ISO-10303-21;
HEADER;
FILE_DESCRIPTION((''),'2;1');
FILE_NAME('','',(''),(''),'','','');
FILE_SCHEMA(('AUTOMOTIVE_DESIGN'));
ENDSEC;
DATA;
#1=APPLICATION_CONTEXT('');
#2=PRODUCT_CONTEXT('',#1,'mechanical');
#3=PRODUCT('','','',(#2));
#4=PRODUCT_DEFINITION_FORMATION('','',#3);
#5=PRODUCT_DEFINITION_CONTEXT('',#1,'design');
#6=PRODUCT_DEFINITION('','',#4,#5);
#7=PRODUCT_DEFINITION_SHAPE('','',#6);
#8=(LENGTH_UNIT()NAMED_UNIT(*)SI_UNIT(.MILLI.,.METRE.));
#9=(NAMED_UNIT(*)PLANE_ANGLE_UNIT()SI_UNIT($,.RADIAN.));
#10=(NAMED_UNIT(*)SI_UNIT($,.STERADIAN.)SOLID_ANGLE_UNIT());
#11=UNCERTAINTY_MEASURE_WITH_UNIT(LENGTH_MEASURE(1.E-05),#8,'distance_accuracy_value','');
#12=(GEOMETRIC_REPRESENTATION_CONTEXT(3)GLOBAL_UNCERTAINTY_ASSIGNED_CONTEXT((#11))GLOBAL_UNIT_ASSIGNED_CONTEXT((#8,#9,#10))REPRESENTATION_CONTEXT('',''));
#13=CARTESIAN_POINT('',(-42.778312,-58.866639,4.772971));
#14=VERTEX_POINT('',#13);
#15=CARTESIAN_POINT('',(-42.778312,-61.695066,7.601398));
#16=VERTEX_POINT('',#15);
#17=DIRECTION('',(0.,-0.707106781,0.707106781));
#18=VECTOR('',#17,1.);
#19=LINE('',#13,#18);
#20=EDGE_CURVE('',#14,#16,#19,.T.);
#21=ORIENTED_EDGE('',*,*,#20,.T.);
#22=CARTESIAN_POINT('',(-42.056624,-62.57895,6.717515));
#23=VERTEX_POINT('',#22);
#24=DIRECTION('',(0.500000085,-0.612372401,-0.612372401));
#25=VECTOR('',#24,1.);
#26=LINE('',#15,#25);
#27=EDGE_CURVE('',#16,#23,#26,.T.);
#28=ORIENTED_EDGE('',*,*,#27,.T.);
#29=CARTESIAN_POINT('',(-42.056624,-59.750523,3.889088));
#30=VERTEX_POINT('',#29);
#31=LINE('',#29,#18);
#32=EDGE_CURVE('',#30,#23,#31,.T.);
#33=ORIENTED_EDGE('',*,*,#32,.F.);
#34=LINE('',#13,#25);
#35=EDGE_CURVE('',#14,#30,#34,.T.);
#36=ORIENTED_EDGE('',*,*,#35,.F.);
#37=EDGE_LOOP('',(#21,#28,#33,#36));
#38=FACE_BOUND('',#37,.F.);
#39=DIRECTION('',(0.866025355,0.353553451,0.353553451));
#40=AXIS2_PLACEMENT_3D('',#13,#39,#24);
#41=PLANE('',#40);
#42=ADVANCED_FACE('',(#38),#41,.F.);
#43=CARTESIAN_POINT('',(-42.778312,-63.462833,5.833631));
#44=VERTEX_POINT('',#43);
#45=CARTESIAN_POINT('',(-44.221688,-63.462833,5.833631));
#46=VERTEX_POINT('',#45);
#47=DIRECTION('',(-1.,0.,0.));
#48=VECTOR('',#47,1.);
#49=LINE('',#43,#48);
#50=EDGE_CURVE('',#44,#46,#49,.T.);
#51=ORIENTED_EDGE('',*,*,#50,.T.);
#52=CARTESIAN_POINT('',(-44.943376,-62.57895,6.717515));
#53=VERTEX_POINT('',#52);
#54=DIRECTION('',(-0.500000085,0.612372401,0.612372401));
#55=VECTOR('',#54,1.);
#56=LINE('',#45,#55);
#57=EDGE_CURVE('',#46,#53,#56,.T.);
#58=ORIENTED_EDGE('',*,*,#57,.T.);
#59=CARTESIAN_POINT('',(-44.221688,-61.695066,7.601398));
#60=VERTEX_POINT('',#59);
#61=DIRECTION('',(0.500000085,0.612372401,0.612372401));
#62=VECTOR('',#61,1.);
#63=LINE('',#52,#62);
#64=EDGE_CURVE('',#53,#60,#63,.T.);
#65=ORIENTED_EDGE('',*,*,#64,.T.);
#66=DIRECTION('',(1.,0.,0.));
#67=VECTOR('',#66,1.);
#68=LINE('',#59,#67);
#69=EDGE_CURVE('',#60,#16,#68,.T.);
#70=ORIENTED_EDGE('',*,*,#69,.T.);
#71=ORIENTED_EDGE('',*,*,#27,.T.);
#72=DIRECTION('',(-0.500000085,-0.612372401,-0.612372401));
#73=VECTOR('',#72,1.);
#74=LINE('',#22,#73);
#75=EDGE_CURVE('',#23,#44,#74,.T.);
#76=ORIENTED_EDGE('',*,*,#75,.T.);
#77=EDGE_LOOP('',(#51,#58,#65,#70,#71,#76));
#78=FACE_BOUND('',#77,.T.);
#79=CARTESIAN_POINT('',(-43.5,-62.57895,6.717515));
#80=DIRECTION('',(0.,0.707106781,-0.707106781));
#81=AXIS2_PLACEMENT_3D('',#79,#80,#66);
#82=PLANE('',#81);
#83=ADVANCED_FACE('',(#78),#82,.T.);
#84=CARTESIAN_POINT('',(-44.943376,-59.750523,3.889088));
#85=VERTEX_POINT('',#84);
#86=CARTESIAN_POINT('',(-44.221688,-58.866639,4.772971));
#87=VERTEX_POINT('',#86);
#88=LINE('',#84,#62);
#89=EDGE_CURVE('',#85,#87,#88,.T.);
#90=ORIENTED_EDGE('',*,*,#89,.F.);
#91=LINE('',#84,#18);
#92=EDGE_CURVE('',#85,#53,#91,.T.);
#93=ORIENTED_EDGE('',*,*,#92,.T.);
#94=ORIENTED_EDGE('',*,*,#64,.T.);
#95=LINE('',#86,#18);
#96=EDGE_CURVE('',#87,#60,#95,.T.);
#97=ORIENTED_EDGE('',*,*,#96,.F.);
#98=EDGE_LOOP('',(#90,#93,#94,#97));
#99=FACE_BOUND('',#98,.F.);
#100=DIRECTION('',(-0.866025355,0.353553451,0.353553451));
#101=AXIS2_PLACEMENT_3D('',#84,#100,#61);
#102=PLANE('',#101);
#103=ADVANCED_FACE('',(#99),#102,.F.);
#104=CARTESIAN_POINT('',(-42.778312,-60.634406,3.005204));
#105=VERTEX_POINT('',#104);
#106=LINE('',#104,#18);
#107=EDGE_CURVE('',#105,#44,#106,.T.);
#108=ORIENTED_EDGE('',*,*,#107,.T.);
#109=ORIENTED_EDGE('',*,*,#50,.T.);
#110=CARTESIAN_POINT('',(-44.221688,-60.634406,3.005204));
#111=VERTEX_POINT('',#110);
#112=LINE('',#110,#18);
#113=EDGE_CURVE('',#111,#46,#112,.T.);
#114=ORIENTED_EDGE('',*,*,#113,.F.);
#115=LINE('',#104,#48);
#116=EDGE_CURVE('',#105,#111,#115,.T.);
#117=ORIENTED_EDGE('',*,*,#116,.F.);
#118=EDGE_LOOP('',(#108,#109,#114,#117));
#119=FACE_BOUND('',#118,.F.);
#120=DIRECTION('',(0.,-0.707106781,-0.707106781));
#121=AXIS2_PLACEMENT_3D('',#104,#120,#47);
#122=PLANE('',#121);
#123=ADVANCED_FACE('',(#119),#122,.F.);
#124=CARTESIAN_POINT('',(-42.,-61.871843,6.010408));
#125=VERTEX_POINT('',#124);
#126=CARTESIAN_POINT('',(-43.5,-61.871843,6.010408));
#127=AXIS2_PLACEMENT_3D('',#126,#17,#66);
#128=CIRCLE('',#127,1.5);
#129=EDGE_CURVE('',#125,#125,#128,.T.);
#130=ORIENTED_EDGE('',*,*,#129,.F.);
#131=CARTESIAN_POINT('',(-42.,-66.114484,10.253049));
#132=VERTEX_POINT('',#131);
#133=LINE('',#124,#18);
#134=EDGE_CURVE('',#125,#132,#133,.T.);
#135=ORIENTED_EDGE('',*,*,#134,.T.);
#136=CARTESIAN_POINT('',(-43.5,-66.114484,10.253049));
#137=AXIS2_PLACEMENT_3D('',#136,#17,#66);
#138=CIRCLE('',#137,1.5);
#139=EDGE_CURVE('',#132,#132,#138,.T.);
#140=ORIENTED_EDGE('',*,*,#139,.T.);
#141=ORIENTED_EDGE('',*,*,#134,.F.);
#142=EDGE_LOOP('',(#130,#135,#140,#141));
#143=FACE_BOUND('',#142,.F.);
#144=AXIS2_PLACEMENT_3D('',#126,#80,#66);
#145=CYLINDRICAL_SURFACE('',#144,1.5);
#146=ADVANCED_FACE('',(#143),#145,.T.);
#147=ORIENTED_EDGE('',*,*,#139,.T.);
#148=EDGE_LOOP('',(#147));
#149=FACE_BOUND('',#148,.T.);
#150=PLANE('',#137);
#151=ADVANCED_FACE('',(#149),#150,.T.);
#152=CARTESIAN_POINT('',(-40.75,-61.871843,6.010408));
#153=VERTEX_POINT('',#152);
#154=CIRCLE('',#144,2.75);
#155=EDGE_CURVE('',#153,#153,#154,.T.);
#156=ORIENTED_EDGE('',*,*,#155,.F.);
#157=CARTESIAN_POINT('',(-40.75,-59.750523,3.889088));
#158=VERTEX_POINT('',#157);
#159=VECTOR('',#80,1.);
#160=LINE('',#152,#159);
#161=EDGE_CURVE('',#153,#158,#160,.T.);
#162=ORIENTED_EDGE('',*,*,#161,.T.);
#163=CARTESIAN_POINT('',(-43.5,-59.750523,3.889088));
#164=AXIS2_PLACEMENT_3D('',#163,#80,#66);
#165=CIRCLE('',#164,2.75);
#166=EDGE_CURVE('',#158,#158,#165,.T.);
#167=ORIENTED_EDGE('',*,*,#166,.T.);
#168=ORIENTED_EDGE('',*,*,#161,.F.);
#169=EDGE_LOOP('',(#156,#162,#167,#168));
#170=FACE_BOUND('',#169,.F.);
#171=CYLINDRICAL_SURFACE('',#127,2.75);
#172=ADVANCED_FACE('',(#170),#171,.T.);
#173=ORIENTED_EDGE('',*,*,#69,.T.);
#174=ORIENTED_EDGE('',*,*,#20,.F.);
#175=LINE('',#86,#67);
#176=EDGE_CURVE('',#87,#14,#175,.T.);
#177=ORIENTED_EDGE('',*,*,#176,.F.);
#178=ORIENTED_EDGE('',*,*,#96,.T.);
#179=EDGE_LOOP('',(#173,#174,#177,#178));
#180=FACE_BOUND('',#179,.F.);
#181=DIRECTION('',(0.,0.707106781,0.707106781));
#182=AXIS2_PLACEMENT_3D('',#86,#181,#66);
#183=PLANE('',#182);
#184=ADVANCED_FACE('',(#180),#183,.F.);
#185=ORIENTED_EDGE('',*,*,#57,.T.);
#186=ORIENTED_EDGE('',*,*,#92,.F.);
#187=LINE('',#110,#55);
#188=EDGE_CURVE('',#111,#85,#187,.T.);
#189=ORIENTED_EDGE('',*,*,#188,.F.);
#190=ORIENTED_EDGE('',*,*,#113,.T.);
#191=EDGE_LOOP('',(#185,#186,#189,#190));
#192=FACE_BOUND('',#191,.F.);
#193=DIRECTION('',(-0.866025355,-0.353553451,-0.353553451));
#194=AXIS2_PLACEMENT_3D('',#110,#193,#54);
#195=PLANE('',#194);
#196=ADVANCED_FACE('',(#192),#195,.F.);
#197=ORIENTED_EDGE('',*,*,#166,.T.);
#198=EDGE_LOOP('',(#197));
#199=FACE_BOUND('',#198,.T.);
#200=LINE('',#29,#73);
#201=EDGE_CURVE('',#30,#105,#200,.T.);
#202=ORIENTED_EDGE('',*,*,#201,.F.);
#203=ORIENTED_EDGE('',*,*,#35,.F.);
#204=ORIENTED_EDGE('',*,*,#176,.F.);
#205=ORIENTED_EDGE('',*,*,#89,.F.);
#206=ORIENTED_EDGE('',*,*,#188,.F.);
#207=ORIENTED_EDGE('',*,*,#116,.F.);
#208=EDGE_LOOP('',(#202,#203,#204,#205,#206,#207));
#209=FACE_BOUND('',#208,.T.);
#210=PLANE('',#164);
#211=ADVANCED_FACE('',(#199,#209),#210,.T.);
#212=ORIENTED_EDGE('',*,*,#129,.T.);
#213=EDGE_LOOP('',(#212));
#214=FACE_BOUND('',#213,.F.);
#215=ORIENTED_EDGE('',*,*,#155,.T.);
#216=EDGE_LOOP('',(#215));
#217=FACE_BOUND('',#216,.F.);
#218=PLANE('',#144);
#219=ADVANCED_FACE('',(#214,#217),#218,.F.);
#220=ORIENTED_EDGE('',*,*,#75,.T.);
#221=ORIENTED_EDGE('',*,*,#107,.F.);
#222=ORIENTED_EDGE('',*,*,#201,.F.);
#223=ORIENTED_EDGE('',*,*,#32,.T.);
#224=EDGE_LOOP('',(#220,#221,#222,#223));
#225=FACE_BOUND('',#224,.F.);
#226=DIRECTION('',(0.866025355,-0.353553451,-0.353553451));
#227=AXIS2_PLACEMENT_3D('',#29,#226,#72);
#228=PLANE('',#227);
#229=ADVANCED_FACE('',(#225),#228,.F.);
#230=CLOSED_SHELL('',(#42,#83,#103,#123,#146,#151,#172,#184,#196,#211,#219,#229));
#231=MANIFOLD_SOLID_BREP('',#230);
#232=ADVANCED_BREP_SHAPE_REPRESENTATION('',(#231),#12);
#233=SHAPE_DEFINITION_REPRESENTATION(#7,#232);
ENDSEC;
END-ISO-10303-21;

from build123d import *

# Parameters (mm, degrees)
SKETCH036_R             = 2.75
PAD021_DEPTH            = 3
SKETCH037_R             = 1.5
PAD022_DEPTH            = 6
POCKET017_DEPTH         = 4
BODY010_PLACEMENT_ANGLE = 225


with BuildPart() as part:
    # Sketch036 → Pad021 (new body)
    with BuildSketch(Plane.XY):
        Circle(SKETCH036_R)
    extrude(amount=PAD021_DEPTH)

    # Sketch037 (on Face2 of Pad021) → Pad022 (join)
    with BuildSketch(Plane(origin=(0, 0, 0), x_dir=(1, 0, 0), z_dir=(0, 0, -1))):
        Circle(SKETCH037_R)
    extrude(amount=PAD022_DEPTH)

    # Sketch038 (on DatumPlane) → Pocket017 (cut)
    with BuildSketch(Plane.XY.offset(3)):
        Polygon((0.721688, -1.25), (1.443376, 0), (0.721688, 1.25), (-0.721688, 1.25), (-1.443376, 0), (-0.721688, -1.25), align=None)
    extrude(amount=-POCKET017_DEPTH, mode=Mode.SUBTRACT)


with BuildPart() as part_1:
    # Body010 placement: moved
    add(part.part.moved(Location((-43.5, -61.871843, 6.010408))).rotate(Axis((-43.5, -61.871843, 6.010408), (1, 0, 0)), BODY010_PLACEMENT_ANGLE))


solid = part_1.part
